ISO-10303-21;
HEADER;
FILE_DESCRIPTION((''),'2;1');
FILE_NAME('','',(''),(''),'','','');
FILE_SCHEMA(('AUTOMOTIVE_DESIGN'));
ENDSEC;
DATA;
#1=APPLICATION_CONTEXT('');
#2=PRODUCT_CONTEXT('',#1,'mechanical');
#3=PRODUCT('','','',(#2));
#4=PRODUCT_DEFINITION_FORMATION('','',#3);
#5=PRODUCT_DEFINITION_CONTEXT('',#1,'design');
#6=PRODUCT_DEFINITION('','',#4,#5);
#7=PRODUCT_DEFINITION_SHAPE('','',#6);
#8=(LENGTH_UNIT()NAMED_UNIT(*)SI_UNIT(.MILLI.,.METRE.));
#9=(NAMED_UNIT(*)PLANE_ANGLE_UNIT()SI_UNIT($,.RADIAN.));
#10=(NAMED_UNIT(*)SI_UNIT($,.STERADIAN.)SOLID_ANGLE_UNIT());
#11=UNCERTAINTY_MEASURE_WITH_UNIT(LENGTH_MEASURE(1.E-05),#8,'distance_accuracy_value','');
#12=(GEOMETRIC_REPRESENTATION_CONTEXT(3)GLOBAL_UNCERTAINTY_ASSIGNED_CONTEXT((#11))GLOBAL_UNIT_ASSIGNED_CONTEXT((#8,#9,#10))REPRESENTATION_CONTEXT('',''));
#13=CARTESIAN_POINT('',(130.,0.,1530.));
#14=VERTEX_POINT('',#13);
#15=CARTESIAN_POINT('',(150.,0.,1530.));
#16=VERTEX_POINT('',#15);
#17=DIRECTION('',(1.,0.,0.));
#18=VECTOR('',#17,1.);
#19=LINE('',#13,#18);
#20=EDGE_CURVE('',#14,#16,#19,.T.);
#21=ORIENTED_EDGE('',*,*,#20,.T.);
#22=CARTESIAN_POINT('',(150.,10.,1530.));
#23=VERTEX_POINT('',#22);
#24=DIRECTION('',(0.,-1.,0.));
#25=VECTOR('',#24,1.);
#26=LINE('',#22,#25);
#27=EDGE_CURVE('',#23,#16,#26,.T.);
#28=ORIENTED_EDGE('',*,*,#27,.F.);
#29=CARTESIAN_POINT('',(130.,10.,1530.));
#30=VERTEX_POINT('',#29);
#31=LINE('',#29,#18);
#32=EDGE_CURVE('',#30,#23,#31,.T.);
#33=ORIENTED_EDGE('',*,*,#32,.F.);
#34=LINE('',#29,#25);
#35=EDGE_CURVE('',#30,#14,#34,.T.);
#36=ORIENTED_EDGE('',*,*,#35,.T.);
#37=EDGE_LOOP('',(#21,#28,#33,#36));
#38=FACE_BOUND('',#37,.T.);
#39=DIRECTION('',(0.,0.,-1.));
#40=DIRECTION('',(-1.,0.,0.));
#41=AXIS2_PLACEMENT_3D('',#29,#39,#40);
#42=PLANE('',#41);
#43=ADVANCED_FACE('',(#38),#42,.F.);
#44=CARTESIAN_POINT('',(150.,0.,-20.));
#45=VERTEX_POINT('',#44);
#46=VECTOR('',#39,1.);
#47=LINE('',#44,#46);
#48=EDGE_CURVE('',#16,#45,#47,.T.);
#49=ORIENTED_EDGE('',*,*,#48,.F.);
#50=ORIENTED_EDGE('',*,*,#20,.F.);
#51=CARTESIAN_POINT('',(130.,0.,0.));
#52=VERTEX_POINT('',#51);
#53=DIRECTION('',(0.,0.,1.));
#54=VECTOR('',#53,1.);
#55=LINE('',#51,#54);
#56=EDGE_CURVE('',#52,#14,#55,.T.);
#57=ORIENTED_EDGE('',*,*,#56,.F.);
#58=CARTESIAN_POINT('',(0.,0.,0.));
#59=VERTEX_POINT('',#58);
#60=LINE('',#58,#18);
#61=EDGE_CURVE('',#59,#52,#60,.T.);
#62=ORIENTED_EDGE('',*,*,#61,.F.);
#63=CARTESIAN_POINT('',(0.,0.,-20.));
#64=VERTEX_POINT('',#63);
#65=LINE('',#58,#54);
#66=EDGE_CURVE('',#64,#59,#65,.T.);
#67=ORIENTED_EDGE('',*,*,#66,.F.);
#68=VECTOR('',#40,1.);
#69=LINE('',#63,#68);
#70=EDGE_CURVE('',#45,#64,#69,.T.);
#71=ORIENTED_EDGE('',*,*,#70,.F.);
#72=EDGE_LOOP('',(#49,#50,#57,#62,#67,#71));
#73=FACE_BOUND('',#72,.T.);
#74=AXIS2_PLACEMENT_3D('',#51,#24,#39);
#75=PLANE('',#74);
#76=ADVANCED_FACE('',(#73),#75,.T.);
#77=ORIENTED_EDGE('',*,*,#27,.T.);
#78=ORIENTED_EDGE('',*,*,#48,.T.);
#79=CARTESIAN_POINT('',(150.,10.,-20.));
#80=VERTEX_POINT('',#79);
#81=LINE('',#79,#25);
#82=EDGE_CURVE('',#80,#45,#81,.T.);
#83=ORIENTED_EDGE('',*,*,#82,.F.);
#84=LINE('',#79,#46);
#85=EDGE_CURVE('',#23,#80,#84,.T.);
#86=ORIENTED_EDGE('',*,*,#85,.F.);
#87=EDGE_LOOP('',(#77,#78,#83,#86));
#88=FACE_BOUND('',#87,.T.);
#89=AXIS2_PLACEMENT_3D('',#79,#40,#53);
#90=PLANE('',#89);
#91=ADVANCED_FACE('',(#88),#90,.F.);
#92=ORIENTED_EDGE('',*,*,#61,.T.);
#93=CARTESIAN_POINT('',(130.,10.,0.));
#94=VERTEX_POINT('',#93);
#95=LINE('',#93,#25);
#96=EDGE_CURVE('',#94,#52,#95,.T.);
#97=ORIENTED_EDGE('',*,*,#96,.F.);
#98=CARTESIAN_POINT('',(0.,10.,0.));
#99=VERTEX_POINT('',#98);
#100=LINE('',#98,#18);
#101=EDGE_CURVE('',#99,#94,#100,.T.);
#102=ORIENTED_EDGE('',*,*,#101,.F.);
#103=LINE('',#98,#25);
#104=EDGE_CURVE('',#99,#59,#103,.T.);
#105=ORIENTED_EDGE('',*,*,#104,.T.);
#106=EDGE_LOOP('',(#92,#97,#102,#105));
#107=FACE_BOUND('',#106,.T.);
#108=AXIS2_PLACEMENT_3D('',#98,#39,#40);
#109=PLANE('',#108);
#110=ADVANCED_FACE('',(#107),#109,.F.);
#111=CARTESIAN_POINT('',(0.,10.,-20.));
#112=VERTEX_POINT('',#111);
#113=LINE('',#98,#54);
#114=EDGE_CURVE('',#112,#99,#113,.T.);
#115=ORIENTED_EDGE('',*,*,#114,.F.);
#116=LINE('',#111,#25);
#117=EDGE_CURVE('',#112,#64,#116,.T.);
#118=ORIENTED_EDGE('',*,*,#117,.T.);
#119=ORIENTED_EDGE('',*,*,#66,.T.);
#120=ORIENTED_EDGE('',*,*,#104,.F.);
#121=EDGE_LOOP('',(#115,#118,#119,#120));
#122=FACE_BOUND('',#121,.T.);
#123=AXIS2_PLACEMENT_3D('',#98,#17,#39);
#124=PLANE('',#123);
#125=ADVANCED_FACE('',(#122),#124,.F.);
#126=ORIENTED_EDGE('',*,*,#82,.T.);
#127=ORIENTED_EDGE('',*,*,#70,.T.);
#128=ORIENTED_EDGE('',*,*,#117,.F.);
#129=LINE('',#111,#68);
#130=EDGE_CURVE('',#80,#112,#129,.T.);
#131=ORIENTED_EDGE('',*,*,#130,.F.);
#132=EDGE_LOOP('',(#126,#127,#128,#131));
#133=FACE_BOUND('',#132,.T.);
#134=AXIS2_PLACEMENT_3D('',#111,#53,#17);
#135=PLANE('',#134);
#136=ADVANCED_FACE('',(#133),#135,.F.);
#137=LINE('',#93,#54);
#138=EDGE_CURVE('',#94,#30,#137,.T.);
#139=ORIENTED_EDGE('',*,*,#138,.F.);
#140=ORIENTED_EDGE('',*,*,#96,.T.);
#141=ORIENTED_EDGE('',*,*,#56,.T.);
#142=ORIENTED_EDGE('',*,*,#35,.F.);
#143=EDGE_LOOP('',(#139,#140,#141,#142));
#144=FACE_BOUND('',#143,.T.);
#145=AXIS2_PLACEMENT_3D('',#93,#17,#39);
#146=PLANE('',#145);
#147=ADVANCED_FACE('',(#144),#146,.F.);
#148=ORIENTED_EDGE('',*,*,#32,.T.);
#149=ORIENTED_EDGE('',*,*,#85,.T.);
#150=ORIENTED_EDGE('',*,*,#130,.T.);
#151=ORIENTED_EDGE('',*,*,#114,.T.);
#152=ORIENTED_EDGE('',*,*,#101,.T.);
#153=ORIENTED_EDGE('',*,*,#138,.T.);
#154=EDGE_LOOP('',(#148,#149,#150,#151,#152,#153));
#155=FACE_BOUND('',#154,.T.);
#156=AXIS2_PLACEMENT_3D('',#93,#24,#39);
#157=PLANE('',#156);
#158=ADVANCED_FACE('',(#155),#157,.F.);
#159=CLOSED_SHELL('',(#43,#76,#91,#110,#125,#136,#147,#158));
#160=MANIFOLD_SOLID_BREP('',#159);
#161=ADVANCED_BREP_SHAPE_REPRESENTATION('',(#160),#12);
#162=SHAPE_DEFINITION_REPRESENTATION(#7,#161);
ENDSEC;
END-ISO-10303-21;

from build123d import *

# Parameters (mm, degrees)
EXTRUSION1_DEPTH = 10


with BuildPart() as part:
    # Esquisse1 → Extrusion1 (new body)
    with BuildSketch(Plane(origin=(0, 0, 0), x_dir=(1, 0, 0), z_dir=(0, 1, 0))):
        Polygon((0, 0), (0, 20), (150, 20), (150, -1530), (130, -1530), (130, 0), align=None)
    extrude(amount=EXTRUSION1_DEPTH)


solid = part.part
